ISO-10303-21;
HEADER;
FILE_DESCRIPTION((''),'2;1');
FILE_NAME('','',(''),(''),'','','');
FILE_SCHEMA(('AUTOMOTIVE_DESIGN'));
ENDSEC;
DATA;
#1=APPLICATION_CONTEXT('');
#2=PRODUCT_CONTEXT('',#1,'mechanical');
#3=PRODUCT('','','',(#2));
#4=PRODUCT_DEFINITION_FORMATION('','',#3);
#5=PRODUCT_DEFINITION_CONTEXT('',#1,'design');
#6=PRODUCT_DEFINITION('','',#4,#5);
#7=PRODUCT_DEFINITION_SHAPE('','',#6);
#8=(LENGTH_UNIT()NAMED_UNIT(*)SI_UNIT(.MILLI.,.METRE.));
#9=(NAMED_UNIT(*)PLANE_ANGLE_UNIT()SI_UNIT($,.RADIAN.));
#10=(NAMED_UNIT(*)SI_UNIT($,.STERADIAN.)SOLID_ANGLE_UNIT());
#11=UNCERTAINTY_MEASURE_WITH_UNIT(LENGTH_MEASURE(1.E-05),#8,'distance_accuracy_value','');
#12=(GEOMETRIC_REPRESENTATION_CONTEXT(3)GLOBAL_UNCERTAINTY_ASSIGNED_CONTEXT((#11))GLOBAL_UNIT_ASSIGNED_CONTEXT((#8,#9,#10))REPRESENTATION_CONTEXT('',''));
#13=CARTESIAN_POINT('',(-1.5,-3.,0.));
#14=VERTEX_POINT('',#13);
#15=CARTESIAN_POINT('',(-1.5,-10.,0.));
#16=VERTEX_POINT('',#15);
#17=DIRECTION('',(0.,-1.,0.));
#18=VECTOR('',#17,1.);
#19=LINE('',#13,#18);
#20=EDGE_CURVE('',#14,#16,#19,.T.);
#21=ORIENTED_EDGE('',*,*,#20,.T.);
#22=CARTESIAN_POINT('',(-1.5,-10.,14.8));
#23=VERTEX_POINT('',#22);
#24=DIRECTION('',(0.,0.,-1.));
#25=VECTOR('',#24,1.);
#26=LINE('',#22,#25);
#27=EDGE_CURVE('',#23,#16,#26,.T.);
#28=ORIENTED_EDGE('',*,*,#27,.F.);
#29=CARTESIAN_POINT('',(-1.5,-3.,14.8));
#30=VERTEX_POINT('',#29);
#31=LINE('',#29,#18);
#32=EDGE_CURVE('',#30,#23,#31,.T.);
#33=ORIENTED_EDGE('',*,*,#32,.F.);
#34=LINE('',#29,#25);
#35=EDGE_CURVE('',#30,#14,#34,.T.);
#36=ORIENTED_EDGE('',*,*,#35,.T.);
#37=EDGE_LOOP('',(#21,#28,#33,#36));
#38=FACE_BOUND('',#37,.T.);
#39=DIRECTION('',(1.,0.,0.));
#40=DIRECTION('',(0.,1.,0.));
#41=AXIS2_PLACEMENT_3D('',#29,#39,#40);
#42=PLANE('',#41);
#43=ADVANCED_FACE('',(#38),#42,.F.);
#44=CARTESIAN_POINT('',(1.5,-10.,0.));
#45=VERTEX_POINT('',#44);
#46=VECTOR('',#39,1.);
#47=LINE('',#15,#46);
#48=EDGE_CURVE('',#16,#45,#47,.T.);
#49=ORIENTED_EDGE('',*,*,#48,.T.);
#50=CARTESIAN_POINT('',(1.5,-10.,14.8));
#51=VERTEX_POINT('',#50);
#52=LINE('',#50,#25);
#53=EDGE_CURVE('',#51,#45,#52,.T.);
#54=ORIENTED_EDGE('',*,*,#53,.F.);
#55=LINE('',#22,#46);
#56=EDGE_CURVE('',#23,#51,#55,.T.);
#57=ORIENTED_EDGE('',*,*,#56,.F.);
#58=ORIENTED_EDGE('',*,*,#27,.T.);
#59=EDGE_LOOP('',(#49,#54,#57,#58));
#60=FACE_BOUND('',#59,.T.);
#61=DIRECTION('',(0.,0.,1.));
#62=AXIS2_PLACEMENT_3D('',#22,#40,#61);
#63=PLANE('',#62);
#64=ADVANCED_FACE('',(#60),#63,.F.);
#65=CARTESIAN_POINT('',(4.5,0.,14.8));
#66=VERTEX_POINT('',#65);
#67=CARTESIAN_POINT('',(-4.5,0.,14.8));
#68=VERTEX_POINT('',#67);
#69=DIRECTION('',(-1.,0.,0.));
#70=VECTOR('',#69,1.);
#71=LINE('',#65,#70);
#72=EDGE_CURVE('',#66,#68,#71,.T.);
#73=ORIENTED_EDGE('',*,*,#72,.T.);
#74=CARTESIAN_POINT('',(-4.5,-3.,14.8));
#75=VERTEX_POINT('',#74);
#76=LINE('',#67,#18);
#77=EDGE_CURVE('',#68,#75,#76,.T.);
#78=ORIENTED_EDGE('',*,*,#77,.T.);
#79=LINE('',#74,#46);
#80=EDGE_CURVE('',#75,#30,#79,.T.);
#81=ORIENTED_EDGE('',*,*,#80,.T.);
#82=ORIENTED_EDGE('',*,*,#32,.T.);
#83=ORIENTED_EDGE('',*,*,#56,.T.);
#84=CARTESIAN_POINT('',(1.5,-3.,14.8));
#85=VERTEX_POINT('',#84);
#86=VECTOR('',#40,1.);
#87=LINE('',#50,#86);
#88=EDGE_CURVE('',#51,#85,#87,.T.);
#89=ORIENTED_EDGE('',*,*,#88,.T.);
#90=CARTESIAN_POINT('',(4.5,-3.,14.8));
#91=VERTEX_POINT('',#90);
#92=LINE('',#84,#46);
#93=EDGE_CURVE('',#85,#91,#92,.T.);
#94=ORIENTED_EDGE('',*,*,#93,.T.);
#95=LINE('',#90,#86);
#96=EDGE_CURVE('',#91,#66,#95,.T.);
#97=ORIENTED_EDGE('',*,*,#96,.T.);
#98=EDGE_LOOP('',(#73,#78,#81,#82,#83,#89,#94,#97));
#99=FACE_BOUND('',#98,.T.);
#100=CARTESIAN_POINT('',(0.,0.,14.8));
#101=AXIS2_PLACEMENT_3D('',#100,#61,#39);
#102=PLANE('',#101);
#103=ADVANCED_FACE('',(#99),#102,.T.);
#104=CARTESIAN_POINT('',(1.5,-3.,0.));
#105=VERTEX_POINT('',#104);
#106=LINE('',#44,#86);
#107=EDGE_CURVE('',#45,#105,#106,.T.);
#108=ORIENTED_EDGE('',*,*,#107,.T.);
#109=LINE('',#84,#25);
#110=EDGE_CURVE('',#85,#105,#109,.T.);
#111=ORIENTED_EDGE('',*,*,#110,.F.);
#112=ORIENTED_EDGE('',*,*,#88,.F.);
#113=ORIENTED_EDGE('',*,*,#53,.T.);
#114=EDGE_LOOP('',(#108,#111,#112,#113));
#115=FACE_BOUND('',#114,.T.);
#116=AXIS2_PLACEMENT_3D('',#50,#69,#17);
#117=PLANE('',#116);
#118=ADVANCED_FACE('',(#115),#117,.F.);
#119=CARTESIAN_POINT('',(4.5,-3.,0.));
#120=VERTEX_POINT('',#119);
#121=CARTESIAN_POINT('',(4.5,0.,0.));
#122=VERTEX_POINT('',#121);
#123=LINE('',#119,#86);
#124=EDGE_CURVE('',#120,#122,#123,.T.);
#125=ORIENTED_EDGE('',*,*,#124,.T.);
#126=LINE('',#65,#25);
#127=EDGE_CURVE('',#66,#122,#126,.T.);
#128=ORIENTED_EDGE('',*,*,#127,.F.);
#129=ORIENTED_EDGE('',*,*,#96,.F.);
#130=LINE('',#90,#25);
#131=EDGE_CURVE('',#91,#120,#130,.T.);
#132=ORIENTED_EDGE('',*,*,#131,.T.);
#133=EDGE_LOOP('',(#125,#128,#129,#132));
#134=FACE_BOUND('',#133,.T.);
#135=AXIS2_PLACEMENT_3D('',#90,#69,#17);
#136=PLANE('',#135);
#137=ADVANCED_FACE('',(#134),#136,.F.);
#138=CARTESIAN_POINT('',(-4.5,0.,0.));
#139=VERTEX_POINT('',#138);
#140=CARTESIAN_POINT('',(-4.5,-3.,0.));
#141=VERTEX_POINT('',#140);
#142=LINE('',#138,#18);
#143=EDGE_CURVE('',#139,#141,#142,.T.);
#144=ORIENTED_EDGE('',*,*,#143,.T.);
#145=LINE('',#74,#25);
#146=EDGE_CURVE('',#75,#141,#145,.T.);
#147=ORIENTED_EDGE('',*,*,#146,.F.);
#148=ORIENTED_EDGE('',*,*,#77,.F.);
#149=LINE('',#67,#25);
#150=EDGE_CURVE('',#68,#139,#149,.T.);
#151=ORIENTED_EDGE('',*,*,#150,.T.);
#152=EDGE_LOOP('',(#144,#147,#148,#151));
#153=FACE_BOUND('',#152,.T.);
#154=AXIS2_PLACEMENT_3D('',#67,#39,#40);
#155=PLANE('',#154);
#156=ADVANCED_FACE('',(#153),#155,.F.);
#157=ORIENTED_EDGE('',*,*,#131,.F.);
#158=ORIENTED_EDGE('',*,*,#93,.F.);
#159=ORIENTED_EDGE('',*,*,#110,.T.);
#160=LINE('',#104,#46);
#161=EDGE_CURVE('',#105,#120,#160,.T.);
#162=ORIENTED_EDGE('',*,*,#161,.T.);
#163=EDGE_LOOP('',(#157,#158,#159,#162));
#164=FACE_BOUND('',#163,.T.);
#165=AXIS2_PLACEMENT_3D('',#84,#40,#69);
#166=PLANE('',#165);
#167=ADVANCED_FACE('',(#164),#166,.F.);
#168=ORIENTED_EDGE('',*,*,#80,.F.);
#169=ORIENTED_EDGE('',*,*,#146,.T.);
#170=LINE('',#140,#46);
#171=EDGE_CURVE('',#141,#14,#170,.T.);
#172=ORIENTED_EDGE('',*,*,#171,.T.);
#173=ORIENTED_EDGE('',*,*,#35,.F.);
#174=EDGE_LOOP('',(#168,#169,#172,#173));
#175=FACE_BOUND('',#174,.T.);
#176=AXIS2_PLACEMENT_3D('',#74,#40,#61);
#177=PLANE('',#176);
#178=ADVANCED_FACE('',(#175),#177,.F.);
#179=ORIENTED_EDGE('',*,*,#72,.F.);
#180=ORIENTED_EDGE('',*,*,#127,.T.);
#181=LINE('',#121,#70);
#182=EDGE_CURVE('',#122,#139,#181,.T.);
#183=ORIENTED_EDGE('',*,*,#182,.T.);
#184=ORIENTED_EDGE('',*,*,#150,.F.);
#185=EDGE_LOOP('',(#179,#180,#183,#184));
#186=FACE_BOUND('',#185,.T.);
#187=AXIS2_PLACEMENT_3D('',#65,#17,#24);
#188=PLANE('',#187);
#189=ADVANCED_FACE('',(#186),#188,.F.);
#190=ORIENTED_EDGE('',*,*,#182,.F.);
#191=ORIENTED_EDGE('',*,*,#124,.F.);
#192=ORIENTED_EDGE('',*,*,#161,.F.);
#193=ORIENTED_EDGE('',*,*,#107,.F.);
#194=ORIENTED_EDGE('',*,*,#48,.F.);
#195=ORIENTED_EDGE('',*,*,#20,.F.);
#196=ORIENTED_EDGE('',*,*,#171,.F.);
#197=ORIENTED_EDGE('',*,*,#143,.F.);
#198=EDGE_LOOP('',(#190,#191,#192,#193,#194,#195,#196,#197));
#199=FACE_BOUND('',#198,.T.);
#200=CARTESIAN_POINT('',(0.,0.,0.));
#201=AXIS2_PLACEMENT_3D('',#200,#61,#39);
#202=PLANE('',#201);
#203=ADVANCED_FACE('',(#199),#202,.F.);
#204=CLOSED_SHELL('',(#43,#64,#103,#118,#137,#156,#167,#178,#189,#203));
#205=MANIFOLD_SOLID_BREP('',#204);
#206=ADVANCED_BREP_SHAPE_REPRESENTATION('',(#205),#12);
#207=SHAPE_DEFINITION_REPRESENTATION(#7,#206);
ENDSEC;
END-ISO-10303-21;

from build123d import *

# Parameters (mm, degrees)
BOSS_EXTRUDE1_DEPTH = 14.8


with BuildPart() as part:
    # Sketch1 → Boss-Extrude1 (new body)
    with BuildSketch(Plane.XY):
        Polygon((-1.5, -10), (1.5, -10), (1.5, -3), (4.5, -3), (4.5, 0), (-4.5, 0), (-4.5, -3), (-1.5, -3), align=None)
    extrude(amount=BOSS_EXTRUDE1_DEPTH)


solid = part.part
